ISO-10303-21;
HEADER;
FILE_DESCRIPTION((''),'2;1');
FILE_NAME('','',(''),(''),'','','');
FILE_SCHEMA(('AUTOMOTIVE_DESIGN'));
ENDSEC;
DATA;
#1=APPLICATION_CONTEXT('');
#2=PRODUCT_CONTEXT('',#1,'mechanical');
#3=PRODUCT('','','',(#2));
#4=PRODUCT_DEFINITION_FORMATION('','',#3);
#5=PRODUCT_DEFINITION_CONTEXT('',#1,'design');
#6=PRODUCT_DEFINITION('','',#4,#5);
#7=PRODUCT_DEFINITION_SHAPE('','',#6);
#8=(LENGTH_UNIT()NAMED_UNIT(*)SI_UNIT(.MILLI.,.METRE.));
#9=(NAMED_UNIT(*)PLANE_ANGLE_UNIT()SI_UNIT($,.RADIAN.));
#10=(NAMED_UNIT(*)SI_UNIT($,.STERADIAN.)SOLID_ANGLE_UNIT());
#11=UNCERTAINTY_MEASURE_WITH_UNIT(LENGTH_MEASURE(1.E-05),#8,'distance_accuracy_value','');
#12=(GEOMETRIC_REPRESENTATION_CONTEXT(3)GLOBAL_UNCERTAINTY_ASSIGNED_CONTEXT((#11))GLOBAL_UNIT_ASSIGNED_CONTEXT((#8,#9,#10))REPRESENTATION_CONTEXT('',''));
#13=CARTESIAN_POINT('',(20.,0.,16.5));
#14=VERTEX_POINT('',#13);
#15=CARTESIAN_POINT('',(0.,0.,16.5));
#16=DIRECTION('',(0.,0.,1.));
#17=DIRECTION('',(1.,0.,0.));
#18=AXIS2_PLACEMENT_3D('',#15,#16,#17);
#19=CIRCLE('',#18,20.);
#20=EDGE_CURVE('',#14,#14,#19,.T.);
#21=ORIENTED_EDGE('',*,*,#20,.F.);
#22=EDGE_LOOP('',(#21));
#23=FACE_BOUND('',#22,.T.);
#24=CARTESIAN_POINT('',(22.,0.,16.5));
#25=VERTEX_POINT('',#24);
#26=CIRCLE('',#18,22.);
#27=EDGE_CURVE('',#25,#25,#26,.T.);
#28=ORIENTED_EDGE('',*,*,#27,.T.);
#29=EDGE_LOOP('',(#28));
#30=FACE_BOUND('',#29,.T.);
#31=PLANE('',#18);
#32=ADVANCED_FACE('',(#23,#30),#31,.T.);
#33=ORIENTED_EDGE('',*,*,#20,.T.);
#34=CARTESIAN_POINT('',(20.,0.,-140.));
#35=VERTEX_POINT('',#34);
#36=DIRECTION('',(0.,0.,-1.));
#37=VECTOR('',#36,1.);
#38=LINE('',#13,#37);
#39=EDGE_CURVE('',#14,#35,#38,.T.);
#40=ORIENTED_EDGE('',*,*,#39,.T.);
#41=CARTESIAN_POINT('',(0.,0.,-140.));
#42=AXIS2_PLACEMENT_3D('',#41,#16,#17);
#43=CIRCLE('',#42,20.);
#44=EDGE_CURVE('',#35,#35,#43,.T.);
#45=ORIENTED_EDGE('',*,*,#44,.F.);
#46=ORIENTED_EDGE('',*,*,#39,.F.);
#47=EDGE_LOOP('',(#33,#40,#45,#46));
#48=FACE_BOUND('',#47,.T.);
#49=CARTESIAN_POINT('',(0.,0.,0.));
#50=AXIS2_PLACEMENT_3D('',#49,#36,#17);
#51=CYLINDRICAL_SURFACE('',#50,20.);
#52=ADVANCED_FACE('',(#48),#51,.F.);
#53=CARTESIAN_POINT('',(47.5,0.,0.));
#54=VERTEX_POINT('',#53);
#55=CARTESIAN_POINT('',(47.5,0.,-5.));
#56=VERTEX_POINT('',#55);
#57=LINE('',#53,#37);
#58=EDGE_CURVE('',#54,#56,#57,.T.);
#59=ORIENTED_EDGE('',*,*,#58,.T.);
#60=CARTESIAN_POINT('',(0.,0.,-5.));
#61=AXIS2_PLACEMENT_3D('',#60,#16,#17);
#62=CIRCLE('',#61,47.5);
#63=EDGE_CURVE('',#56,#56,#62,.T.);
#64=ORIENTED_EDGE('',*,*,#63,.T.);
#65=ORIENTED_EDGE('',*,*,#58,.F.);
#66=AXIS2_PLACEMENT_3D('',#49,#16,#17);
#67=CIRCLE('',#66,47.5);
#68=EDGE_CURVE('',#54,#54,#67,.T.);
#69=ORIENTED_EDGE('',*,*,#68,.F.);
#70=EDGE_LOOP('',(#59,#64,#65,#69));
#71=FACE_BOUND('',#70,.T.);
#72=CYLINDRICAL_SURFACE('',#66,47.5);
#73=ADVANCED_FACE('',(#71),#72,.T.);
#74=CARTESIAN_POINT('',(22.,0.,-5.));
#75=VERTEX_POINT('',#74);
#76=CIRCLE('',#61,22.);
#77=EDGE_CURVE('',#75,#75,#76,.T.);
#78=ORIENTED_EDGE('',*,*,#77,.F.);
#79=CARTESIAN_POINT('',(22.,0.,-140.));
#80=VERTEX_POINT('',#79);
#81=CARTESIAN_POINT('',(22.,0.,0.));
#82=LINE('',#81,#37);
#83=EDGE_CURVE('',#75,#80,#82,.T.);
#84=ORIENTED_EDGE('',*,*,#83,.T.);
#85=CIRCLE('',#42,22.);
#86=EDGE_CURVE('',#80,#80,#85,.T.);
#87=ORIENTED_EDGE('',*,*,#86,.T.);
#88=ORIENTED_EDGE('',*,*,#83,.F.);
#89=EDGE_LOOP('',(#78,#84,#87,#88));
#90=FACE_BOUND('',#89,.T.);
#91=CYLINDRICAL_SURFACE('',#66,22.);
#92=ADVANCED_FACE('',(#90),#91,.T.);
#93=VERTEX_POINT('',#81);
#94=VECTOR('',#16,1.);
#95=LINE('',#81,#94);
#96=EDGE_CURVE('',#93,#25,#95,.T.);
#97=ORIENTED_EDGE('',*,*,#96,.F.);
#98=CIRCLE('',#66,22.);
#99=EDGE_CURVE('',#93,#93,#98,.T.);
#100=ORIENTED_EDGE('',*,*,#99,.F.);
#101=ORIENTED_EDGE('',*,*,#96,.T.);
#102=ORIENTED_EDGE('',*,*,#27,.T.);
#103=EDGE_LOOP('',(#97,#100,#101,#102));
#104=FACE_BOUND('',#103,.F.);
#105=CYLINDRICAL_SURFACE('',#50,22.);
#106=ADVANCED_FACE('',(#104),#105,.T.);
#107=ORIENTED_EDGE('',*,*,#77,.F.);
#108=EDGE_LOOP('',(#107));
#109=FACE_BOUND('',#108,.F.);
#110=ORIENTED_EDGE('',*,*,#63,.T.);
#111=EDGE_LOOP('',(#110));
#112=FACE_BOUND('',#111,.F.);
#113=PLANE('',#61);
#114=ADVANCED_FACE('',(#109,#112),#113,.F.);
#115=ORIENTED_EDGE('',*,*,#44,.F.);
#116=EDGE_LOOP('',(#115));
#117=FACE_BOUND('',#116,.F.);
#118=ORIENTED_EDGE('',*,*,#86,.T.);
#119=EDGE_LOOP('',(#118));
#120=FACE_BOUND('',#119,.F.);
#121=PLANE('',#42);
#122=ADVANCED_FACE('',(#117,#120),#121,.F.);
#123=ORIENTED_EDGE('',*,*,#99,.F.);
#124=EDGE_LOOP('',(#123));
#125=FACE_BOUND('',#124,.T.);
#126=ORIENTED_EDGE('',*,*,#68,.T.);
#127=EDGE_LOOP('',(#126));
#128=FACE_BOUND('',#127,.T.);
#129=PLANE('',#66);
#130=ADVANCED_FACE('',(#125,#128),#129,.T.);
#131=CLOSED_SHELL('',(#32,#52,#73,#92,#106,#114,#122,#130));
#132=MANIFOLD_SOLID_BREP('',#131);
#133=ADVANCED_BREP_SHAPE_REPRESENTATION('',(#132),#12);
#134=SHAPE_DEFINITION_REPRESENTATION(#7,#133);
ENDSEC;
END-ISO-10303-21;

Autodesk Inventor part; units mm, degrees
ref_plane "YZ Plane" through (0, 0, 0) normal (1, 0, 0) x (0, 1, 0)
ref_plane "XZ Plane" through (0, 0, 0) normal (0, 1, 0) x (-1, 0, 0)
ref_plane "XY Plane" through (0, 0, 0) normal (0, 0, 1) x (1, 0, 0)
sketch "Sketch1" plane through (0, 0, 0) normal (0, 0, 1) x (1, 0, 0)
  circle A0 centre (0, 0) radius 20
  circle A1 centre (0, 0) radius 22
  circle A2 centre (0, 0) radius 47.5
  circle A3 centre (0, 0) radius 37.5 construction
  dimension "d0" = 40
  dimension "d1" = 44
  dimension "d2" = 95
  dimension "d3" = 75
extrude "Extrusion1" add sketch "Sketch1" along normal blind 16.5 and the other way blind 140 contours A1
extrude "Extrusion2" add sketch "Sketch1" against normal blind 5 contours A2
properties part number "ALPHA_001161_ExitTube"
